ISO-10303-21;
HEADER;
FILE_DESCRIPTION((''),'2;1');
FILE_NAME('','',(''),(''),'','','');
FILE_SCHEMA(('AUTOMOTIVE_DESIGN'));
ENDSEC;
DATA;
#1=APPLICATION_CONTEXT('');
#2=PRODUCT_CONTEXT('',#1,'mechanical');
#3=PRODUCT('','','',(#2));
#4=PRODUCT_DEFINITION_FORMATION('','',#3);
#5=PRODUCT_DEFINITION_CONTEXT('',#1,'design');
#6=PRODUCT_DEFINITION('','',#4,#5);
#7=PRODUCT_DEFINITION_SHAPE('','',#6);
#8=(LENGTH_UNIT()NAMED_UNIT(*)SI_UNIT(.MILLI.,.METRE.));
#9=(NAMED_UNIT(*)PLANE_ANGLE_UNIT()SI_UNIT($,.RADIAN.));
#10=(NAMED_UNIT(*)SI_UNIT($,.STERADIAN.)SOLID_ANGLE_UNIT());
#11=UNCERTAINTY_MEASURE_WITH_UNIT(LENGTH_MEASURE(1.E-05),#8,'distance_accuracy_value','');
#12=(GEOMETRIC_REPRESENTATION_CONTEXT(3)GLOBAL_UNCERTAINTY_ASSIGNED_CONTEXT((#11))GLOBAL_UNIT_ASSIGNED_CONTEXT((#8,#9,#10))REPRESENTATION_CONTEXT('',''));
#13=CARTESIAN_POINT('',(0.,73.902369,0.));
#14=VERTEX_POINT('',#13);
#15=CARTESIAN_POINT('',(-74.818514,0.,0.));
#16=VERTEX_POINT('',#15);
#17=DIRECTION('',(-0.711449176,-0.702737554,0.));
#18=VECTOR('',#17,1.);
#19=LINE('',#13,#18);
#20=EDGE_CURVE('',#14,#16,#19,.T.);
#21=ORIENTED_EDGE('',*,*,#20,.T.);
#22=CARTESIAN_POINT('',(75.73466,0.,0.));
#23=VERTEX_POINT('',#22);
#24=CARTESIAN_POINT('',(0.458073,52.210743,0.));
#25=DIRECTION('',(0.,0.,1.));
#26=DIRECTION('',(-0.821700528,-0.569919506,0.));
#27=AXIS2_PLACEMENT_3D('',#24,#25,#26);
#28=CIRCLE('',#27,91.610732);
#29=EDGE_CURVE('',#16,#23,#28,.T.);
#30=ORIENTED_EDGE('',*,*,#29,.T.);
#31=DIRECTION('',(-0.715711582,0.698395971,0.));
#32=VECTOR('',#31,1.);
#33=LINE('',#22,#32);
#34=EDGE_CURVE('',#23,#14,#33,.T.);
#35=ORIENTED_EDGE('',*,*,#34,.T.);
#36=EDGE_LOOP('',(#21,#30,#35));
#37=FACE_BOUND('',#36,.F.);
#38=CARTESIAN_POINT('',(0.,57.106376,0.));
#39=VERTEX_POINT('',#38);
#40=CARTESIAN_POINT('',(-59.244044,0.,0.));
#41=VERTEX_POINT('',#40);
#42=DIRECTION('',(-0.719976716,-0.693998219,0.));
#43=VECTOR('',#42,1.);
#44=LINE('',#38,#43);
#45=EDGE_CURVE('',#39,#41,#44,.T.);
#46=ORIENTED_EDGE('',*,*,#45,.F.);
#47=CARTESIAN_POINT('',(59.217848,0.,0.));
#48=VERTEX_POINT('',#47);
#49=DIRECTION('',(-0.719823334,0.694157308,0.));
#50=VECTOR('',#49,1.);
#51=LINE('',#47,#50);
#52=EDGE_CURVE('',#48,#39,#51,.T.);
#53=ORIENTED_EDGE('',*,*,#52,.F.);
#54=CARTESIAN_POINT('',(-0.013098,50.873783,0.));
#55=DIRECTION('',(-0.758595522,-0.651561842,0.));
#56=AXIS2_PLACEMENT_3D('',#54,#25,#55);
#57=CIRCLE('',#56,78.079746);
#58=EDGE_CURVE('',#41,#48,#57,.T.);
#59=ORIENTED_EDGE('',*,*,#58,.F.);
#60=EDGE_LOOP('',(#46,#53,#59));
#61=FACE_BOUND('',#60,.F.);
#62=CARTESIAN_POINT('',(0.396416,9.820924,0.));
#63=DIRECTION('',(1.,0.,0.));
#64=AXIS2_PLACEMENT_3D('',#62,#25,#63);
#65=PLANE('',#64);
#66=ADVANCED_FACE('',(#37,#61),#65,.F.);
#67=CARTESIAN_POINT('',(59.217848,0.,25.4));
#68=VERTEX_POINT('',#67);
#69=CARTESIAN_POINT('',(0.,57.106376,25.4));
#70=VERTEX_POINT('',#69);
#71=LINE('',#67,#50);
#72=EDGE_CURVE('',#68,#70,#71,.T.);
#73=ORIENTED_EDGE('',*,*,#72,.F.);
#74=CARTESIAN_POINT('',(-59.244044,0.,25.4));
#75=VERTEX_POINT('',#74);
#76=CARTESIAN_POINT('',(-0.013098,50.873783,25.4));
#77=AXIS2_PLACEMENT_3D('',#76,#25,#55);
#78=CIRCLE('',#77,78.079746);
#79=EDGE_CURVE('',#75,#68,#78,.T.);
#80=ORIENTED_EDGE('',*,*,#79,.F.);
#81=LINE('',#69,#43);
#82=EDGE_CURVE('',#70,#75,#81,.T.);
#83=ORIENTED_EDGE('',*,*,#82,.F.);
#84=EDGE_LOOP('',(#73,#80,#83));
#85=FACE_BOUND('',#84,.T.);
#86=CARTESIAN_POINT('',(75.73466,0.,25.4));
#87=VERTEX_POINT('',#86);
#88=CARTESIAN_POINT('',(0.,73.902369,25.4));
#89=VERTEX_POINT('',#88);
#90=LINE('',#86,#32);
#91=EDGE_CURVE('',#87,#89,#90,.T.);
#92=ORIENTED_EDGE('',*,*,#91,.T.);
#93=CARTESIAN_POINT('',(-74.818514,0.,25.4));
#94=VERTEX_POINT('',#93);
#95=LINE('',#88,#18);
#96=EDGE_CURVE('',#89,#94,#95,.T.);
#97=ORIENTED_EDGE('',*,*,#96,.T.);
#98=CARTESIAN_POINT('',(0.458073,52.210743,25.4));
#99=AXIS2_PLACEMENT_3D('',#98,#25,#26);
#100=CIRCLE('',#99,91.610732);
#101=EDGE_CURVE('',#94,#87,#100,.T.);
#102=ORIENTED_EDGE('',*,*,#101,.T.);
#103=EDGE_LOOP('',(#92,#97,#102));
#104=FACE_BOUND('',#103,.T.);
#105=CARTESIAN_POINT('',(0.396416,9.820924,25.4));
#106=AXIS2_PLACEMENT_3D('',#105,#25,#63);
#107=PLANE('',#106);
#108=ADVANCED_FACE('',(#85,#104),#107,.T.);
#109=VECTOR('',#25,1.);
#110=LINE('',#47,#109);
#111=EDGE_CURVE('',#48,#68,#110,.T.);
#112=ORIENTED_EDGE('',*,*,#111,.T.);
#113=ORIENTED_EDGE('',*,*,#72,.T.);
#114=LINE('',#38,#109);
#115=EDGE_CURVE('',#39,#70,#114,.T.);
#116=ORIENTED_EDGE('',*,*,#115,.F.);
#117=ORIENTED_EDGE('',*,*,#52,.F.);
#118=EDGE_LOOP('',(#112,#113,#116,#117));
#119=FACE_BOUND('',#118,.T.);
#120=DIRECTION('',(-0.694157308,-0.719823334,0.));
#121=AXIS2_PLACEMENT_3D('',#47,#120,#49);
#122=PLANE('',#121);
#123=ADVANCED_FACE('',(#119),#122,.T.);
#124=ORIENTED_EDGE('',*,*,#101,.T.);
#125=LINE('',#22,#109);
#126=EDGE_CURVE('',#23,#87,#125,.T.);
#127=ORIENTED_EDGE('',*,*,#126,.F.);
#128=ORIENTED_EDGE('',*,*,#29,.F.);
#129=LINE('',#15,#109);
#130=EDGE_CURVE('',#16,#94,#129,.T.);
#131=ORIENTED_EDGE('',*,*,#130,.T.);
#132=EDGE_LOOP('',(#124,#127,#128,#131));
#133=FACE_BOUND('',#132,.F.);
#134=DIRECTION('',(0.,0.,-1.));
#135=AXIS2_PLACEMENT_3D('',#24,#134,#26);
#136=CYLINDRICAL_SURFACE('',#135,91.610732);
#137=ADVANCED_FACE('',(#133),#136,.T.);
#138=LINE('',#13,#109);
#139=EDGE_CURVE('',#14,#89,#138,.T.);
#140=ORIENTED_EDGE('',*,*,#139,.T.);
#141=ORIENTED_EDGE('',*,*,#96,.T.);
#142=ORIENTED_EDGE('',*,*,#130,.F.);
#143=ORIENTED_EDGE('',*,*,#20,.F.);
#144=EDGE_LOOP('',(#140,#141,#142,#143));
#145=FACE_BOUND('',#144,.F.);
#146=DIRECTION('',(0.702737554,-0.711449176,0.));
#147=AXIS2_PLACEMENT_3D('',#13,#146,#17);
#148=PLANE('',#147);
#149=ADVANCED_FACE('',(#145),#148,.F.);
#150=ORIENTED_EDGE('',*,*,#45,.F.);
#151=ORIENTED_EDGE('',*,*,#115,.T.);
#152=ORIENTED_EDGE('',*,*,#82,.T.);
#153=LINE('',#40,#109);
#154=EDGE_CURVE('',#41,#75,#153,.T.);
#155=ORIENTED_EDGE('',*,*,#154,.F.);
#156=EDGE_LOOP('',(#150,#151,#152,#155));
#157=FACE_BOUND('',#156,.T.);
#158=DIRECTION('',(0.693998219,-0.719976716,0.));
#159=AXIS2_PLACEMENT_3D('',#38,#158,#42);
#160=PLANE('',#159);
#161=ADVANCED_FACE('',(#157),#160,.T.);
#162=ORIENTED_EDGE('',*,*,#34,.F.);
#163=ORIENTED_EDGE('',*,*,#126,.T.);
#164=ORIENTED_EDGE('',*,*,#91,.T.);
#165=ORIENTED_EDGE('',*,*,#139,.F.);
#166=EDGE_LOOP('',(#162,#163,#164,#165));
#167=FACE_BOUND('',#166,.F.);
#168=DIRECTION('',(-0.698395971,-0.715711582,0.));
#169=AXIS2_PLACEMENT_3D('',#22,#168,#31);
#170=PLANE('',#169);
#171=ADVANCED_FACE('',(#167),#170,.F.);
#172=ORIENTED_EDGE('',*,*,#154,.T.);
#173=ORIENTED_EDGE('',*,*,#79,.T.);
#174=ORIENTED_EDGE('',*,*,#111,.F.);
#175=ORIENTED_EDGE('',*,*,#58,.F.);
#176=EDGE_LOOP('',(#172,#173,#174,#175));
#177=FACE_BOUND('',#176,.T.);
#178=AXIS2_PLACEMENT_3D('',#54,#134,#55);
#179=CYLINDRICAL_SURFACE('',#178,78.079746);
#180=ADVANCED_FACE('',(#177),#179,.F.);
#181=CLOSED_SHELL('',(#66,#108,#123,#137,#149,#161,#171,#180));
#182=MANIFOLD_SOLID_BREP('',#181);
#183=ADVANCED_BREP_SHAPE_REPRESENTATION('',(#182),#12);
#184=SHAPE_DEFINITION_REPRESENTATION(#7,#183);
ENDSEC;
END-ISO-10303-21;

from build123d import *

# Parameters (mm, degrees)
F1_DEPTH = 25.4
F3_DEPTH = 25.4
F5_DEPTH = 25.4


with BuildPart() as f1:
    # F0 (on Top) → F1 (new body)
    with BuildSketch(Plane.XY):
        with BuildLine():
            Line((75.73466, 0), (0, 73.902369))
            Line((0, 73.902369), (-74.818514, 0))
            ThreePointArc((-74.818514, 0), (0.458073, -39.399989), (75.73466, 0))
        make_face()
    extrude(amount=F1_DEPTH)

    # F2 (on Top) → F3 (cut)
    with BuildSketch(Plane.XY):
        with BuildLine():
            Line((63.833756, 0), (0, 62.908627))
            Line((0, 62.908627), (-62.168982, -0.174606))
            ThreePointArc((-62.168982, -0.174606), (0.876457, -31.889673), (63.833756, 0))
        make_face()
    extrude(amount=-F3_DEPTH, mode=Mode.SUBTRACT)

    # F4 (on Top) → F5 (cut)
    with BuildSketch(Plane.XY):
        with BuildLine():
            Line((59.217848, 0), (0, 57.106376))
            Line((0, 57.106376), (-59.244044, 0))
            ThreePointArc((-59.244044, 0), (-0.013098, -27.205963), (59.217848, 0))
        make_face()
    extrude(amount=F5_DEPTH, mode=Mode.SUBTRACT)


solid = f1.part
